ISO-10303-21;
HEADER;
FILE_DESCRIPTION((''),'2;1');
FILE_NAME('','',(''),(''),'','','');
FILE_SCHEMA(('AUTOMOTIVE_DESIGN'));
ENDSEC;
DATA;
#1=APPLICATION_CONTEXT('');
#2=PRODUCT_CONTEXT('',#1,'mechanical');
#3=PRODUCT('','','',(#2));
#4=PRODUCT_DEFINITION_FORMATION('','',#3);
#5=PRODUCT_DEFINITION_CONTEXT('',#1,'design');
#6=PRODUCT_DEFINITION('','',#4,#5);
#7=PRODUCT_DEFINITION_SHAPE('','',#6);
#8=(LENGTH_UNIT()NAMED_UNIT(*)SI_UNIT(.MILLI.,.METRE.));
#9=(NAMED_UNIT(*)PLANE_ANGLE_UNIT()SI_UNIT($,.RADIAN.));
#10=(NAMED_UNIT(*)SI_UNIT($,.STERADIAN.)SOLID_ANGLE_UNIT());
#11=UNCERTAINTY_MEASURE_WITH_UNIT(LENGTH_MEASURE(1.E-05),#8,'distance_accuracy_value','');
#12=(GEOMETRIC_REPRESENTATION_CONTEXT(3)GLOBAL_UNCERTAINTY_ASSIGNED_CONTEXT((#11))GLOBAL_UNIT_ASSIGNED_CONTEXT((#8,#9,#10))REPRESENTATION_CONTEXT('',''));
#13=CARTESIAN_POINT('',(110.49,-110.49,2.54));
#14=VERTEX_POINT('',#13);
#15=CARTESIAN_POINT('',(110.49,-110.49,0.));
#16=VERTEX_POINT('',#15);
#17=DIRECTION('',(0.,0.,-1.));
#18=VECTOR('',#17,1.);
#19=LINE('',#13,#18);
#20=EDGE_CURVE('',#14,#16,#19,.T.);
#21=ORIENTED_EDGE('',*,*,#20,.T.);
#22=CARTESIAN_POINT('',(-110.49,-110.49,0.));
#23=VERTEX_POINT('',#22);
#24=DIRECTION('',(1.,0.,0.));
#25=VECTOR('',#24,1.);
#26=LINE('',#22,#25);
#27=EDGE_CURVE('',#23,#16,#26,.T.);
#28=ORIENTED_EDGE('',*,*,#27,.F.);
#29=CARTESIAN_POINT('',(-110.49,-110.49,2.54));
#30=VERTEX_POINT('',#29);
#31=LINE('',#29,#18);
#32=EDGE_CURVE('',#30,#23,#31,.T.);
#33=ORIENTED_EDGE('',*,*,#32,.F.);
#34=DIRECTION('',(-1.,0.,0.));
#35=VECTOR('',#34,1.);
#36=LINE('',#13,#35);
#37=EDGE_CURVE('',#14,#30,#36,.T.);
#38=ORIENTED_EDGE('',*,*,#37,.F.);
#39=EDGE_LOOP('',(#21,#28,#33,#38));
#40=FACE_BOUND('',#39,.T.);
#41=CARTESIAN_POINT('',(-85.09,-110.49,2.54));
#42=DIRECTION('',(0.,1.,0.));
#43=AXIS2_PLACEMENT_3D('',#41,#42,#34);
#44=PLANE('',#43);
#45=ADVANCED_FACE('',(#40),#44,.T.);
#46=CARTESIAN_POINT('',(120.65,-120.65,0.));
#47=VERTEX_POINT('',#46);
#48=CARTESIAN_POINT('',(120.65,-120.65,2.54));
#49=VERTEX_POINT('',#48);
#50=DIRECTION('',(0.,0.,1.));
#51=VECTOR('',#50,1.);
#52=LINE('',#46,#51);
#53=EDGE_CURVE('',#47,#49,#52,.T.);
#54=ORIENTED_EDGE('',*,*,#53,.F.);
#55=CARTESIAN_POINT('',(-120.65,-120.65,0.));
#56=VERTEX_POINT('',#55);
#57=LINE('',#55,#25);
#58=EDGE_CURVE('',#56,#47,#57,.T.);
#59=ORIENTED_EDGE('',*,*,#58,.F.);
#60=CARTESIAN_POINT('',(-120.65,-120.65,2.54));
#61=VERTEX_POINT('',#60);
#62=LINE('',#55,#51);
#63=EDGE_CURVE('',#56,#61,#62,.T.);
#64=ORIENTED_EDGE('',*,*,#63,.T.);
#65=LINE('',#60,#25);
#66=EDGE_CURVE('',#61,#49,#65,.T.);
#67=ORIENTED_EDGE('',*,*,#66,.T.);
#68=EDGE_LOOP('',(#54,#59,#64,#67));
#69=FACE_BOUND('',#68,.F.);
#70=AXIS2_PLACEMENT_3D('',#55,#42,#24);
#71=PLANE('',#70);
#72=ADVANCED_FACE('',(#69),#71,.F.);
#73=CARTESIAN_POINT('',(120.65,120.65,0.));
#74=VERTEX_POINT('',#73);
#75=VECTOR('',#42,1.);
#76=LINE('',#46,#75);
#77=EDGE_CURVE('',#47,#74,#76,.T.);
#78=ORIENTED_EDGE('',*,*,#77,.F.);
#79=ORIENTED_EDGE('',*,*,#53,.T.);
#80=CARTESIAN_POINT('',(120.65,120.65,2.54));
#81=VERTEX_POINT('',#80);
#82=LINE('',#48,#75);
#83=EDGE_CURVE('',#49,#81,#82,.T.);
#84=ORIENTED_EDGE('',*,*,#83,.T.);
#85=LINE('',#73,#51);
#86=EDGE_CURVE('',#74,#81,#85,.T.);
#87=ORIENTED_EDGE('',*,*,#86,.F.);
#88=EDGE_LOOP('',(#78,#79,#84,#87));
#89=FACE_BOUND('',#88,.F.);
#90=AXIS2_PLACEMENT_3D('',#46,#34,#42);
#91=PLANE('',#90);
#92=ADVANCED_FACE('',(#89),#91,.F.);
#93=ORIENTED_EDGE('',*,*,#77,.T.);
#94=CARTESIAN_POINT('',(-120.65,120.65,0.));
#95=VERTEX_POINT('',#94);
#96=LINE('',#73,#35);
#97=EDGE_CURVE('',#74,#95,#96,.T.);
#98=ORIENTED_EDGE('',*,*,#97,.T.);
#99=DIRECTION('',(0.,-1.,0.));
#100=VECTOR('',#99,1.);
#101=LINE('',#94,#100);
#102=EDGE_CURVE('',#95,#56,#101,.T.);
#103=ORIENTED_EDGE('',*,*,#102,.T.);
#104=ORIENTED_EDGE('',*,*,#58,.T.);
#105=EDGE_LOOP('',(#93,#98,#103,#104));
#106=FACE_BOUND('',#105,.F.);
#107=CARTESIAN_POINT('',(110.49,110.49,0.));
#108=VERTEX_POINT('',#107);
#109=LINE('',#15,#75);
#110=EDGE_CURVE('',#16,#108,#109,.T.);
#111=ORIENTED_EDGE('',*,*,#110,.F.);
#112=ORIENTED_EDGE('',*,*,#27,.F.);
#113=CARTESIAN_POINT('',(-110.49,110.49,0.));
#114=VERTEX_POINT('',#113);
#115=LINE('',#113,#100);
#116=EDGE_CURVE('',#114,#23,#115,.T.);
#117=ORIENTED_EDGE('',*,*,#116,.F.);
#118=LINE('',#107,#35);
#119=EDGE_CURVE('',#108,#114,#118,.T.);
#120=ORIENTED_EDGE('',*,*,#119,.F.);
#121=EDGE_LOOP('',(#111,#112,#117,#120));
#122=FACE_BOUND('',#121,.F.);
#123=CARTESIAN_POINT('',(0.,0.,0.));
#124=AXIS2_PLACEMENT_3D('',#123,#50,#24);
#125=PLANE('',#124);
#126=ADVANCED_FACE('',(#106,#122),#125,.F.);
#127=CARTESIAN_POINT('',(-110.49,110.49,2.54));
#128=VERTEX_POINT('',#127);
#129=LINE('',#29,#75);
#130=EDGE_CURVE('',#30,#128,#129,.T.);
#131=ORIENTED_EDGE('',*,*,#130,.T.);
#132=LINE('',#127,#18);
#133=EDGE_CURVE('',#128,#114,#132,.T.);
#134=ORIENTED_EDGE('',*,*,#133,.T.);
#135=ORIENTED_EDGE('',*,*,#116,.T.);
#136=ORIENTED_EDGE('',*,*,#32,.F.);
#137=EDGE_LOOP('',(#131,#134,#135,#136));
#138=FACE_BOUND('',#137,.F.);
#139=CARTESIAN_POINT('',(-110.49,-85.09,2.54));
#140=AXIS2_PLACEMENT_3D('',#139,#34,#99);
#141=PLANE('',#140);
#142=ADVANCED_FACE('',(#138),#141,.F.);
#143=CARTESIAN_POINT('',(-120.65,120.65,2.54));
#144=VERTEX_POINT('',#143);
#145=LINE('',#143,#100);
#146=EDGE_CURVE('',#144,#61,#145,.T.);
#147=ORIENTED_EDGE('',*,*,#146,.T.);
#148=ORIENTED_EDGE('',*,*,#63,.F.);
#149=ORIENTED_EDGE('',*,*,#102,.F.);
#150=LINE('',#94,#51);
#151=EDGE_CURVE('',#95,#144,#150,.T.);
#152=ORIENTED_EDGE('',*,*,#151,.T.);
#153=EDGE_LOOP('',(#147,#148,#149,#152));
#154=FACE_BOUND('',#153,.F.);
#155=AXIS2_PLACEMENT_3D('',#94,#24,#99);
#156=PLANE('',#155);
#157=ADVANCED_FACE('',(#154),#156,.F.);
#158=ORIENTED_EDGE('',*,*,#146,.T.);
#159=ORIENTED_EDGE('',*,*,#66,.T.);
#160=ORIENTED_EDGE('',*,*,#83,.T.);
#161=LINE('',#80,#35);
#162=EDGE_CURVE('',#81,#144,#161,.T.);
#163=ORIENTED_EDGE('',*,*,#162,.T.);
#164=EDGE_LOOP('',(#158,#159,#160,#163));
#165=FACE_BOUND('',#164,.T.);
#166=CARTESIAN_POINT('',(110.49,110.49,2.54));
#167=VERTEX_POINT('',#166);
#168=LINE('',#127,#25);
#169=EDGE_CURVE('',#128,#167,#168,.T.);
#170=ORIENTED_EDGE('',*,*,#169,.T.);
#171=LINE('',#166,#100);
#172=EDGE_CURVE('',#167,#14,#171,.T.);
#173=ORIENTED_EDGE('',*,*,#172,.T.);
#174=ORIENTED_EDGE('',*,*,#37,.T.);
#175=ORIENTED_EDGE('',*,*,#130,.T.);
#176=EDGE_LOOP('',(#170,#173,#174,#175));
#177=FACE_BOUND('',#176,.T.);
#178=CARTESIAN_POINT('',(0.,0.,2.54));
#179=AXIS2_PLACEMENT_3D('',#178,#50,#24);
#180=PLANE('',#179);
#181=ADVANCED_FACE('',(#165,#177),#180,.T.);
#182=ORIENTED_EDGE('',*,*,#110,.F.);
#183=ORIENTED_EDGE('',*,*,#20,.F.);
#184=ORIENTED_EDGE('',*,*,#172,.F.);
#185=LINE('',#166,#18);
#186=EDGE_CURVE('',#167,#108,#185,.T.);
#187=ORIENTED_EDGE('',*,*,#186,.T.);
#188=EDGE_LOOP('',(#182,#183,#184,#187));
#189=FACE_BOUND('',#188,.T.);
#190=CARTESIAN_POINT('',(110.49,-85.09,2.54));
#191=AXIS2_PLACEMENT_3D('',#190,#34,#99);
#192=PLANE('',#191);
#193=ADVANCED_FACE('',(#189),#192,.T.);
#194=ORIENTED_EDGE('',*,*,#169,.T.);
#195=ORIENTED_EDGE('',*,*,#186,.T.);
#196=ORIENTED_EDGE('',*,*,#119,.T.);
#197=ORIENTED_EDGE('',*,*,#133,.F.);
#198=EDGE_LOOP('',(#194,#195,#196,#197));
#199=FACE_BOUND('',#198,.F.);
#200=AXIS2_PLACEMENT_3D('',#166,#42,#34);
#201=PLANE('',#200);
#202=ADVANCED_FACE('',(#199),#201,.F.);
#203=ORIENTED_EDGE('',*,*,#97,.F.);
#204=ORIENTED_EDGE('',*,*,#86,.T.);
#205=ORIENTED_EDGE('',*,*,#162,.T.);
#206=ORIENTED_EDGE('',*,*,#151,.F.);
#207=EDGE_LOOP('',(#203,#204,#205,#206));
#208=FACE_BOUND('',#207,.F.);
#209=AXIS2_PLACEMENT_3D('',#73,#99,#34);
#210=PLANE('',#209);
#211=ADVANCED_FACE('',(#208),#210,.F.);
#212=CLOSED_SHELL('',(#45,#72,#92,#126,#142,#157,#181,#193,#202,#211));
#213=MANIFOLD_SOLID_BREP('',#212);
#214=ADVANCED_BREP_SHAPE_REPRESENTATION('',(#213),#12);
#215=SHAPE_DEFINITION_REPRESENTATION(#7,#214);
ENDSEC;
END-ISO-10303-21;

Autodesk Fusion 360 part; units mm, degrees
sketch "Sketch1" plane through (0, 0, 0) normal (0, 0, 1) x (1, 0, 0)
  line L0 (120.65, 120.65) -> (-120.65, 120.65)
  line L1 (-120.65, 120.65) -> (-120.65, -120.65)
  line L2 (-120.65, -120.65) -> (120.65, -120.65)
  line L3 (120.65, -120.65) -> (120.65, 120.65)
  line L4 (120.65, 120.65) -> (-120.65, -120.65) construction
  line L5 (-120.65, 120.65) -> (120.65, -120.65) construction
  dimension "d10" = 241.3
  dimension "d11" = 241.3
extrude "Extrude1" add sketch "Sketch1" along normal blind 2.54
sketch "Sketch2" plane through (0, 0, 2.54) normal (0, 0, 1) x (1, 0, 0)
  line L0 (120.65, -120.65) -> (120.65, 120.65)
  line L1 (120.65, 120.65) -> (-120.65, 120.65)
  line L2 (-120.65, 120.65) -> (-120.65, -120.65)
  line L3 (-120.65, -120.65) -> (120.65, -120.65)
  line L4 (110.49, 110.49) -> (-110.49, 110.49)
  line L5 (-110.49, 110.49) -> (-110.49, -110.49)
  line L6 (-110.49, -110.49) -> (110.49, -110.49)
  line L7 (110.49, -110.49) -> (110.49, 110.49)
  line L8 (110.49, 110.49) -> (-110.49, -110.49) construction
  line L9 (-110.49, 110.49) -> (110.49, -110.49) construction
  dimension "d14" = 220.98
  dimension "d15" = 220.98
sketch "Sketch3" plane through (0, 0, 2.54) normal (0, 0, 1) x (1, 0, 0)
  line L0 (110.49, 110.49) -> (-110.49, 110.49)
  line L1 (110.49, -110.49) -> (110.49, 110.49)
  line L2 (-110.49, -110.49) -> (110.49, -110.49)
  line L3 (-110.49, 110.49) -> (-110.49, -110.49)
  line L4 (-110.49, 110.49) -> (-85.09, 110.49)
  line L5 (-85.09, 110.49) -> (-85.09, 85.09)
  line L6 (-85.09, 85.09) -> (-110.49, 85.09)
  line L7 (-110.49, 85.09) -> (-110.49, 110.49)
  dimension "d16" = 25.4
  dimension "d17" = 25.4
sketch "Sketch4" plane through (0, 0, 2.54) normal (0, 0, 1) x (1, 0, 0)
  line L0 (110.49, 110.49) -> (-110.49, 110.49)
  line L1 (110.49, -110.49) -> (110.49, 110.49)
  line L2 (-110.49, -110.49) -> (110.49, -110.49)
  line L3 (-110.49, 110.49) -> (-110.49, -110.49)
  line L4 (-110.49, 110.49) -> (-85.09, 110.49)
  line L5 (-85.09, 110.49) -> (-85.09, 85.09)
  line L6 (-85.09, 85.09) -> (-110.49, 85.09)
  line L7 (-110.49, 85.09) -> (-110.49, 110.49)
  dimension "d20" = 25.4
  dimension "d21" = 25.4
extrude "Grid First Cut" cut sketch "Sketch4" against normal blind 5.08 contours L0 L3 L4 L5 L6 L7
pattern_linear "R-Pattern1" count 8 spacing 27.94 along (1, 0, 0) count 8 spacing 27.94 along (0, -1, 0) of "Grid First Cut"
extrude "Extrude2" cut sketch "Sketch3" against normal blind 5.08
equation "surfaceWidth = 9.5 in"
equation "surfaceDepth = 9.5 in"
equation "surfaceThickness = 0.1 in"
equation "borderWidth = 0.4 in"
equation "gridOpeningX = 1 in"
equation "gridOpeningY = 1 in"
equation "gridWebWidth = 0.1 in"
equation "payloadWidth = surfaceWidth - ( 2 * borderWidth )"
equation "payloadDepth = surfaceDepth - ( 2 * borderWidth )"
equation "d10 = surfaceWidth"
equation "d11 = surfaceDepth"
equation "d12 = surfaceThickness"
equation "d14 = payloadWidth"
equation "d15 = payloadDepth"
equation "d16 = gridOpeningX"
equation "d17 = gridOpeningY"
equation "d20 = gridOpeningY"
equation "d21 = gridOpeningX"
equation "gridPitchX = gridOpeningX + gridWebWidth"
equation "d29 = gridPitchX"
equation "d30 = gridPitchX"
